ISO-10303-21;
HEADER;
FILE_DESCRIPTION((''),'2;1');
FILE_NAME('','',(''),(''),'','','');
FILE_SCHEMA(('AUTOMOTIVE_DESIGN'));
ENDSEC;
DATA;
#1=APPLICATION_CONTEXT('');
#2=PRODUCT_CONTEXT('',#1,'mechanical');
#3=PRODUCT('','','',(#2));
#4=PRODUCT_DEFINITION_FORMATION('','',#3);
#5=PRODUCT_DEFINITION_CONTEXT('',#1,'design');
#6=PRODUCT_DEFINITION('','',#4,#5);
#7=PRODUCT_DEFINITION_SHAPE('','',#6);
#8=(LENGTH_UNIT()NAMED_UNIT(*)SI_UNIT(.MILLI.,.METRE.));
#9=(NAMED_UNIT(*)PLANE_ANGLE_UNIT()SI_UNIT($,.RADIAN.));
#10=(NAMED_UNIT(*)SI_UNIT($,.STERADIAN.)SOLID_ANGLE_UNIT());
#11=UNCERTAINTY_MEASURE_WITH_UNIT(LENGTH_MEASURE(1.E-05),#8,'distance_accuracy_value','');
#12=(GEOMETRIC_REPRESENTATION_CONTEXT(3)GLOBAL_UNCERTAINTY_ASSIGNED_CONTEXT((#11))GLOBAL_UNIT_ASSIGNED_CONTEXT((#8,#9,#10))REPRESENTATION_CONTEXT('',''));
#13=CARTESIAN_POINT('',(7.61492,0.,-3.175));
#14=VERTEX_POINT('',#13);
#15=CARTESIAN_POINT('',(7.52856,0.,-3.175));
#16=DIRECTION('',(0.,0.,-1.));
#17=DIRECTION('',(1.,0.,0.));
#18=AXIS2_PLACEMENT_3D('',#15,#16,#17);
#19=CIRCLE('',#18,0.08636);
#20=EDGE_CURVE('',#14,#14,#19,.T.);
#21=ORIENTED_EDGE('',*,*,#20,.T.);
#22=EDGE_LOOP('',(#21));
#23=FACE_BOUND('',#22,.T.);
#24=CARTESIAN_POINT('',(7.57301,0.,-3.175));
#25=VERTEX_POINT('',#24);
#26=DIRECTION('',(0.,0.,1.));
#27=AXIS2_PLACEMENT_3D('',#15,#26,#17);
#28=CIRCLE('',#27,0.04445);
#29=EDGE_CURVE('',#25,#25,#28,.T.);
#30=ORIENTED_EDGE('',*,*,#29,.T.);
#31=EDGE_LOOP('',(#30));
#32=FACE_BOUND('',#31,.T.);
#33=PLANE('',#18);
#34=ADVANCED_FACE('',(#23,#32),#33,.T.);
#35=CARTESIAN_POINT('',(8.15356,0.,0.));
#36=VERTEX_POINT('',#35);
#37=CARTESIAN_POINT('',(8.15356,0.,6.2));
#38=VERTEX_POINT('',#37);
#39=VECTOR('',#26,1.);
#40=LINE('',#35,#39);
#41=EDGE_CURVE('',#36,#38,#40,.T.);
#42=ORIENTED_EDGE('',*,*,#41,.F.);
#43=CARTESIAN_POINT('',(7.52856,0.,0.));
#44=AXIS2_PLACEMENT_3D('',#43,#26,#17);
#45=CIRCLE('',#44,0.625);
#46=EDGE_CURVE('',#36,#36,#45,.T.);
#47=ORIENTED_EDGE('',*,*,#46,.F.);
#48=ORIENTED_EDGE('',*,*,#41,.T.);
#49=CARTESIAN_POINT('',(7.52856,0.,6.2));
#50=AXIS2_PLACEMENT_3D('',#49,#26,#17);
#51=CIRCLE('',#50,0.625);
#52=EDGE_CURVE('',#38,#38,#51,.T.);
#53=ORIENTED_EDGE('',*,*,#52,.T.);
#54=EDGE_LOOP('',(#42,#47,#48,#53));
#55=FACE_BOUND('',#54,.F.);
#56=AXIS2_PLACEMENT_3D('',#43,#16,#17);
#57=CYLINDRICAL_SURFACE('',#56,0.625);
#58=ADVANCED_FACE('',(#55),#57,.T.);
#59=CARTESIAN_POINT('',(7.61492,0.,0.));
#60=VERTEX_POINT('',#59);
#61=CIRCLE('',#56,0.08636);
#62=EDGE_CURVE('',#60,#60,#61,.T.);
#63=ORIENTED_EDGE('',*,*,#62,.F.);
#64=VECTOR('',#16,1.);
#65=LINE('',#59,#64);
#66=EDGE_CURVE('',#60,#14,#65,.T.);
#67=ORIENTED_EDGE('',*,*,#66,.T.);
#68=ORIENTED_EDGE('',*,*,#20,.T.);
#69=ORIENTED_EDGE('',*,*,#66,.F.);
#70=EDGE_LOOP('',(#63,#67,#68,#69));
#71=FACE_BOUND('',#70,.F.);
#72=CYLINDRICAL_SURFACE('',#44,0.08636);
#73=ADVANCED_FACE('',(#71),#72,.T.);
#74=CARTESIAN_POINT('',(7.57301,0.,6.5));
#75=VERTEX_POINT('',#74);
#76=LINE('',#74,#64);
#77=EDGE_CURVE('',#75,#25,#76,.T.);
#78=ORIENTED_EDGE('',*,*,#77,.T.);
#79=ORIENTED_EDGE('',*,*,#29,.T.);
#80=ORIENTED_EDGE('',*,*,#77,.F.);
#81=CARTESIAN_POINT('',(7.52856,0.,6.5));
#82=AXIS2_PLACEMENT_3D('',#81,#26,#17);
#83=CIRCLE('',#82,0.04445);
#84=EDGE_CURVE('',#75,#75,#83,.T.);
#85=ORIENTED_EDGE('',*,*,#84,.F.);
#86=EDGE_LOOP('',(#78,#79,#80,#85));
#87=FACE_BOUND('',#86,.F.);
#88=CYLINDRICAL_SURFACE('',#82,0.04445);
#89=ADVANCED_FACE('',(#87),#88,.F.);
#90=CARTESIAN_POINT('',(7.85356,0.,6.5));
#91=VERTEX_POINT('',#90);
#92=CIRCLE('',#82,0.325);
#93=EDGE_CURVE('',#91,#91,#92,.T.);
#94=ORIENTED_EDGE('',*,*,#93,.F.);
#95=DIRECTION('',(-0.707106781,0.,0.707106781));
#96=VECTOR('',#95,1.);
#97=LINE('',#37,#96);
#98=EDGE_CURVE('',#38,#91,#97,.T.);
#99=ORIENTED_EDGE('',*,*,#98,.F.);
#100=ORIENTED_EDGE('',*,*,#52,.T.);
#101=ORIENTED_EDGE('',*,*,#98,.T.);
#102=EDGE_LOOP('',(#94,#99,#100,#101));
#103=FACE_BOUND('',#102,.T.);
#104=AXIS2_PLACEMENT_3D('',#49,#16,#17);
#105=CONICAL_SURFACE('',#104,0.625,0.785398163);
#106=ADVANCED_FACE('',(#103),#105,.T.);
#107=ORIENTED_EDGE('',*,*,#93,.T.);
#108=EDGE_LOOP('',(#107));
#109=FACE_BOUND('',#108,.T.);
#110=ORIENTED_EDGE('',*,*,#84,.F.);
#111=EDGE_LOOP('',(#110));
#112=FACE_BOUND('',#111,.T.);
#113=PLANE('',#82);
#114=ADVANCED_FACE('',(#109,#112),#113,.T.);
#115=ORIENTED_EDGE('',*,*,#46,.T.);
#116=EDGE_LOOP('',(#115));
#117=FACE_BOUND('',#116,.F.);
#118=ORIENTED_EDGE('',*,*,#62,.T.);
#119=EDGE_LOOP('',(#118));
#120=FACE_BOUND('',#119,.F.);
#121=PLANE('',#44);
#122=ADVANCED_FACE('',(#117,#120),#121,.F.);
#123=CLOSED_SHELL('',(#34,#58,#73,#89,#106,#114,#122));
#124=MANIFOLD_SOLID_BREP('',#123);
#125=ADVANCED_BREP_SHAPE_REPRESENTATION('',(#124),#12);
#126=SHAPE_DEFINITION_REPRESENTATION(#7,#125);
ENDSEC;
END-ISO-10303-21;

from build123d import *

# Parameters (mm, degrees)
SKETCH002_R  = 0.625
PAD001_DEPTH = 6.5
CHAMFER_SIZE = 0.3
SKETCH004_R  = 0.08636
PAD002_DEPTH = 3.175
SKETCH003_R  = 0.04445
POCKET_DEPTH = 9.676


with BuildPart() as part:
    # Sketch002 → Pad001 (new body)
    with BuildSketch(Plane.XY):
        Circle(SKETCH002_R)
    extrude(amount=PAD001_DEPTH)

    # Chamfer
    chamfer_edges = [part.edges().sort_by_distance(p)[0] for p in [
        (-0.625, 0, 6.5),
    ]]
    chamfer(chamfer_edges, length=CHAMFER_SIZE)

    # Sketch004 (on Face3 of Chamfer) → Pad002 (join)
    with BuildSketch(Plane(origin=(0, 0, 0), x_dir=(1, 0, 0), z_dir=(0, 0, -1))):
        Circle(SKETCH004_R)
    extrude(amount=PAD002_DEPTH)

    # Sketch003 (on Face4 of Chamfer) → Pocket (cut, through all)
    with BuildSketch(Plane.XY.offset(6.5)):
        Circle(SKETCH003_R)
    extrude(amount=-POCKET_DEPTH, mode=Mode.SUBTRACT)


with BuildPart() as part_1:
    # Body001 placement: moved
    add(part.part.moved(Location((7.52856, 0, 0))))


solid = part_1.part
